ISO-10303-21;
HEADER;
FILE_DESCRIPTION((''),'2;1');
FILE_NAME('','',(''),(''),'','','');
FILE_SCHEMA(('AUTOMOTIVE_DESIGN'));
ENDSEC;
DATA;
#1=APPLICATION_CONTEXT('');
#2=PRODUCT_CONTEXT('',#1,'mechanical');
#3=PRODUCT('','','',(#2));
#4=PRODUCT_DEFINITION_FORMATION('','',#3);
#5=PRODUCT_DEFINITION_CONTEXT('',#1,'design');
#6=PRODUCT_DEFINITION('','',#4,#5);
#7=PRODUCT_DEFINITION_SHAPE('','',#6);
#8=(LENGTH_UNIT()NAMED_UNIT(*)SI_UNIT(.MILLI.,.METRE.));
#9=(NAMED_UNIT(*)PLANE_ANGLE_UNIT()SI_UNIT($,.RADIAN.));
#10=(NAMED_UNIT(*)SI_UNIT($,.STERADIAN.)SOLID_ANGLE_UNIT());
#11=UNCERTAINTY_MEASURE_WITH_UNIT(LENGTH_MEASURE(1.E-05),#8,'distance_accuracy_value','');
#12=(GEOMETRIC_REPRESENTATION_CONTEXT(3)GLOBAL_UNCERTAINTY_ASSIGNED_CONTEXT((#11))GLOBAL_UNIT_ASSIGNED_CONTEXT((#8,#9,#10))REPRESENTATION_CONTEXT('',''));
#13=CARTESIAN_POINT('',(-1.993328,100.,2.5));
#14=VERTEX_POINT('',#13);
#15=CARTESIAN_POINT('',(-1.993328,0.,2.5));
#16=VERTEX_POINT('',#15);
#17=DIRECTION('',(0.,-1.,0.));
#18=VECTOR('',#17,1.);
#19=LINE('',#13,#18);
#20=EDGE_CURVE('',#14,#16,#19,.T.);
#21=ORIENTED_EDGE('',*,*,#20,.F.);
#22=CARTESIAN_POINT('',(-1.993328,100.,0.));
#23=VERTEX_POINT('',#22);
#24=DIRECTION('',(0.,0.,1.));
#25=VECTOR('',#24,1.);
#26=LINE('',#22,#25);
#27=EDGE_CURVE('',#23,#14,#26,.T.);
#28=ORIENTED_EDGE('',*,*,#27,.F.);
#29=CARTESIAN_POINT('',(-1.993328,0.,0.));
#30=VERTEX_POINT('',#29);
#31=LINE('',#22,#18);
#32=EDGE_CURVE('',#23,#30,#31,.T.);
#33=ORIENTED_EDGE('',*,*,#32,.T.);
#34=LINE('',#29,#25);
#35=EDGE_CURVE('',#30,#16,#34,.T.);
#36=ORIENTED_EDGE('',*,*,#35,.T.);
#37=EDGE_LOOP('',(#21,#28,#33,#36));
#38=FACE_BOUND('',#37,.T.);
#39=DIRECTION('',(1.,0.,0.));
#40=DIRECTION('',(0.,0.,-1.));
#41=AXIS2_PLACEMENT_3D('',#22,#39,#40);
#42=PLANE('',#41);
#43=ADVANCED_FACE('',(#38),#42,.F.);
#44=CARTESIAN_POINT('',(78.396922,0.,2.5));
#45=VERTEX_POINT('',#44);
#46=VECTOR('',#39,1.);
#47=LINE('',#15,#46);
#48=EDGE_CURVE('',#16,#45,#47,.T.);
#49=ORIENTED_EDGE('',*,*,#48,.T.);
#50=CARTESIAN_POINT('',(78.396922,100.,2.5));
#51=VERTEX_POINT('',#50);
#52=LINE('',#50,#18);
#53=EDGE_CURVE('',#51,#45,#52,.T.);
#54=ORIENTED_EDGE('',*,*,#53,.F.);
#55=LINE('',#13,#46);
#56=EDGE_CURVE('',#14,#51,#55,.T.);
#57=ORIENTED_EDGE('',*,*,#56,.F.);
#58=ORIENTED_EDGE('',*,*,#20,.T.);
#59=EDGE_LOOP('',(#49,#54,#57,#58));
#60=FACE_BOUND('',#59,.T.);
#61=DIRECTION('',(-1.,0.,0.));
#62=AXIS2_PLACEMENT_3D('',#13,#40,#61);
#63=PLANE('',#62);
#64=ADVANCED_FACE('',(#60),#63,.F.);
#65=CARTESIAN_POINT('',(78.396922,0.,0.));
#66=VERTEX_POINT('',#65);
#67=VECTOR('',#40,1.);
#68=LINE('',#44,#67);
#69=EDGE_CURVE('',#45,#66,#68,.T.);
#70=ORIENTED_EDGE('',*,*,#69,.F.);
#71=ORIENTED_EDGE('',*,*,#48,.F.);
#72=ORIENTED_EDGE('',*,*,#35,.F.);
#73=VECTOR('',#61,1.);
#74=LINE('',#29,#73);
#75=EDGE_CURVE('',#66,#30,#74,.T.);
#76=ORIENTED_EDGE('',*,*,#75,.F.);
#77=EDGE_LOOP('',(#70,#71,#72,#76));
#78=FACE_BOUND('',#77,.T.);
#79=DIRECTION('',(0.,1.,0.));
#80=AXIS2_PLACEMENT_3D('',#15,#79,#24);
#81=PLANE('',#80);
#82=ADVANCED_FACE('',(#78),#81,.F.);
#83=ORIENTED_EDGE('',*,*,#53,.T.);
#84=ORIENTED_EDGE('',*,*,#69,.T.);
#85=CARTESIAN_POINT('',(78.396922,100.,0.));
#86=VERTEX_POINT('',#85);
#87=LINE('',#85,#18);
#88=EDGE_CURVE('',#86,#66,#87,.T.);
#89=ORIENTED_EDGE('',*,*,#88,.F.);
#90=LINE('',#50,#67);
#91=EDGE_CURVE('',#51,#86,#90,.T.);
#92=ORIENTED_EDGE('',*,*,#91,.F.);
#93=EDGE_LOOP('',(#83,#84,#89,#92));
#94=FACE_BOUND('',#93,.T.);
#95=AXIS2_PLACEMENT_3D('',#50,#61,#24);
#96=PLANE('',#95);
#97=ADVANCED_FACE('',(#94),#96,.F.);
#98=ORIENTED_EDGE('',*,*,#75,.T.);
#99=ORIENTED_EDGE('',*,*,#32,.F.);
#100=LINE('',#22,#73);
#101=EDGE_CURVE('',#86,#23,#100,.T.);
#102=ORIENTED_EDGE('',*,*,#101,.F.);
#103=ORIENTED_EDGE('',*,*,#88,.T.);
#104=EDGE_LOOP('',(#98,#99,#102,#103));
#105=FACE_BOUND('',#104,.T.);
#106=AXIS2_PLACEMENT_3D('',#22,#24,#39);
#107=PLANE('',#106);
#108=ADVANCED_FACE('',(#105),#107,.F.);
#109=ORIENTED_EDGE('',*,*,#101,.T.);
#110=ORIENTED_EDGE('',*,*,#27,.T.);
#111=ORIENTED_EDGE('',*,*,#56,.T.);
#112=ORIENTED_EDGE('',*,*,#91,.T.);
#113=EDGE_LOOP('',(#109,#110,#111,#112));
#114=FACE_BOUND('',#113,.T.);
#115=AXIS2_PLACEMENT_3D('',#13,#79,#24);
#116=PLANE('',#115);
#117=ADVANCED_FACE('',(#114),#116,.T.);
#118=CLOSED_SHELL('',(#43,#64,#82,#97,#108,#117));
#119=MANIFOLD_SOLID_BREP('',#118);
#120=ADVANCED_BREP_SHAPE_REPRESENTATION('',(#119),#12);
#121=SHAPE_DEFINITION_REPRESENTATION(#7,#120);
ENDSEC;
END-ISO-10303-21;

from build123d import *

# Parameters (mm, degrees)
SKETCH_1_W      = 80.390249941
SKETCH_1_H      = 2.5
EXTRUDE_1_DEPTH = 100


with BuildPart() as part:
    # Эскиз1 → Вытянуть1 (new body)
    with BuildSketch(Plane(origin=(0, 0, 0), x_dir=(1, 0, 0), z_dir=(0, 1, 0))):
        with Locations((38.201796691, -1.25)):
            Rectangle(SKETCH_1_W, SKETCH_1_H)
    extrude(amount=EXTRUDE_1_DEPTH)


solid = part.part
